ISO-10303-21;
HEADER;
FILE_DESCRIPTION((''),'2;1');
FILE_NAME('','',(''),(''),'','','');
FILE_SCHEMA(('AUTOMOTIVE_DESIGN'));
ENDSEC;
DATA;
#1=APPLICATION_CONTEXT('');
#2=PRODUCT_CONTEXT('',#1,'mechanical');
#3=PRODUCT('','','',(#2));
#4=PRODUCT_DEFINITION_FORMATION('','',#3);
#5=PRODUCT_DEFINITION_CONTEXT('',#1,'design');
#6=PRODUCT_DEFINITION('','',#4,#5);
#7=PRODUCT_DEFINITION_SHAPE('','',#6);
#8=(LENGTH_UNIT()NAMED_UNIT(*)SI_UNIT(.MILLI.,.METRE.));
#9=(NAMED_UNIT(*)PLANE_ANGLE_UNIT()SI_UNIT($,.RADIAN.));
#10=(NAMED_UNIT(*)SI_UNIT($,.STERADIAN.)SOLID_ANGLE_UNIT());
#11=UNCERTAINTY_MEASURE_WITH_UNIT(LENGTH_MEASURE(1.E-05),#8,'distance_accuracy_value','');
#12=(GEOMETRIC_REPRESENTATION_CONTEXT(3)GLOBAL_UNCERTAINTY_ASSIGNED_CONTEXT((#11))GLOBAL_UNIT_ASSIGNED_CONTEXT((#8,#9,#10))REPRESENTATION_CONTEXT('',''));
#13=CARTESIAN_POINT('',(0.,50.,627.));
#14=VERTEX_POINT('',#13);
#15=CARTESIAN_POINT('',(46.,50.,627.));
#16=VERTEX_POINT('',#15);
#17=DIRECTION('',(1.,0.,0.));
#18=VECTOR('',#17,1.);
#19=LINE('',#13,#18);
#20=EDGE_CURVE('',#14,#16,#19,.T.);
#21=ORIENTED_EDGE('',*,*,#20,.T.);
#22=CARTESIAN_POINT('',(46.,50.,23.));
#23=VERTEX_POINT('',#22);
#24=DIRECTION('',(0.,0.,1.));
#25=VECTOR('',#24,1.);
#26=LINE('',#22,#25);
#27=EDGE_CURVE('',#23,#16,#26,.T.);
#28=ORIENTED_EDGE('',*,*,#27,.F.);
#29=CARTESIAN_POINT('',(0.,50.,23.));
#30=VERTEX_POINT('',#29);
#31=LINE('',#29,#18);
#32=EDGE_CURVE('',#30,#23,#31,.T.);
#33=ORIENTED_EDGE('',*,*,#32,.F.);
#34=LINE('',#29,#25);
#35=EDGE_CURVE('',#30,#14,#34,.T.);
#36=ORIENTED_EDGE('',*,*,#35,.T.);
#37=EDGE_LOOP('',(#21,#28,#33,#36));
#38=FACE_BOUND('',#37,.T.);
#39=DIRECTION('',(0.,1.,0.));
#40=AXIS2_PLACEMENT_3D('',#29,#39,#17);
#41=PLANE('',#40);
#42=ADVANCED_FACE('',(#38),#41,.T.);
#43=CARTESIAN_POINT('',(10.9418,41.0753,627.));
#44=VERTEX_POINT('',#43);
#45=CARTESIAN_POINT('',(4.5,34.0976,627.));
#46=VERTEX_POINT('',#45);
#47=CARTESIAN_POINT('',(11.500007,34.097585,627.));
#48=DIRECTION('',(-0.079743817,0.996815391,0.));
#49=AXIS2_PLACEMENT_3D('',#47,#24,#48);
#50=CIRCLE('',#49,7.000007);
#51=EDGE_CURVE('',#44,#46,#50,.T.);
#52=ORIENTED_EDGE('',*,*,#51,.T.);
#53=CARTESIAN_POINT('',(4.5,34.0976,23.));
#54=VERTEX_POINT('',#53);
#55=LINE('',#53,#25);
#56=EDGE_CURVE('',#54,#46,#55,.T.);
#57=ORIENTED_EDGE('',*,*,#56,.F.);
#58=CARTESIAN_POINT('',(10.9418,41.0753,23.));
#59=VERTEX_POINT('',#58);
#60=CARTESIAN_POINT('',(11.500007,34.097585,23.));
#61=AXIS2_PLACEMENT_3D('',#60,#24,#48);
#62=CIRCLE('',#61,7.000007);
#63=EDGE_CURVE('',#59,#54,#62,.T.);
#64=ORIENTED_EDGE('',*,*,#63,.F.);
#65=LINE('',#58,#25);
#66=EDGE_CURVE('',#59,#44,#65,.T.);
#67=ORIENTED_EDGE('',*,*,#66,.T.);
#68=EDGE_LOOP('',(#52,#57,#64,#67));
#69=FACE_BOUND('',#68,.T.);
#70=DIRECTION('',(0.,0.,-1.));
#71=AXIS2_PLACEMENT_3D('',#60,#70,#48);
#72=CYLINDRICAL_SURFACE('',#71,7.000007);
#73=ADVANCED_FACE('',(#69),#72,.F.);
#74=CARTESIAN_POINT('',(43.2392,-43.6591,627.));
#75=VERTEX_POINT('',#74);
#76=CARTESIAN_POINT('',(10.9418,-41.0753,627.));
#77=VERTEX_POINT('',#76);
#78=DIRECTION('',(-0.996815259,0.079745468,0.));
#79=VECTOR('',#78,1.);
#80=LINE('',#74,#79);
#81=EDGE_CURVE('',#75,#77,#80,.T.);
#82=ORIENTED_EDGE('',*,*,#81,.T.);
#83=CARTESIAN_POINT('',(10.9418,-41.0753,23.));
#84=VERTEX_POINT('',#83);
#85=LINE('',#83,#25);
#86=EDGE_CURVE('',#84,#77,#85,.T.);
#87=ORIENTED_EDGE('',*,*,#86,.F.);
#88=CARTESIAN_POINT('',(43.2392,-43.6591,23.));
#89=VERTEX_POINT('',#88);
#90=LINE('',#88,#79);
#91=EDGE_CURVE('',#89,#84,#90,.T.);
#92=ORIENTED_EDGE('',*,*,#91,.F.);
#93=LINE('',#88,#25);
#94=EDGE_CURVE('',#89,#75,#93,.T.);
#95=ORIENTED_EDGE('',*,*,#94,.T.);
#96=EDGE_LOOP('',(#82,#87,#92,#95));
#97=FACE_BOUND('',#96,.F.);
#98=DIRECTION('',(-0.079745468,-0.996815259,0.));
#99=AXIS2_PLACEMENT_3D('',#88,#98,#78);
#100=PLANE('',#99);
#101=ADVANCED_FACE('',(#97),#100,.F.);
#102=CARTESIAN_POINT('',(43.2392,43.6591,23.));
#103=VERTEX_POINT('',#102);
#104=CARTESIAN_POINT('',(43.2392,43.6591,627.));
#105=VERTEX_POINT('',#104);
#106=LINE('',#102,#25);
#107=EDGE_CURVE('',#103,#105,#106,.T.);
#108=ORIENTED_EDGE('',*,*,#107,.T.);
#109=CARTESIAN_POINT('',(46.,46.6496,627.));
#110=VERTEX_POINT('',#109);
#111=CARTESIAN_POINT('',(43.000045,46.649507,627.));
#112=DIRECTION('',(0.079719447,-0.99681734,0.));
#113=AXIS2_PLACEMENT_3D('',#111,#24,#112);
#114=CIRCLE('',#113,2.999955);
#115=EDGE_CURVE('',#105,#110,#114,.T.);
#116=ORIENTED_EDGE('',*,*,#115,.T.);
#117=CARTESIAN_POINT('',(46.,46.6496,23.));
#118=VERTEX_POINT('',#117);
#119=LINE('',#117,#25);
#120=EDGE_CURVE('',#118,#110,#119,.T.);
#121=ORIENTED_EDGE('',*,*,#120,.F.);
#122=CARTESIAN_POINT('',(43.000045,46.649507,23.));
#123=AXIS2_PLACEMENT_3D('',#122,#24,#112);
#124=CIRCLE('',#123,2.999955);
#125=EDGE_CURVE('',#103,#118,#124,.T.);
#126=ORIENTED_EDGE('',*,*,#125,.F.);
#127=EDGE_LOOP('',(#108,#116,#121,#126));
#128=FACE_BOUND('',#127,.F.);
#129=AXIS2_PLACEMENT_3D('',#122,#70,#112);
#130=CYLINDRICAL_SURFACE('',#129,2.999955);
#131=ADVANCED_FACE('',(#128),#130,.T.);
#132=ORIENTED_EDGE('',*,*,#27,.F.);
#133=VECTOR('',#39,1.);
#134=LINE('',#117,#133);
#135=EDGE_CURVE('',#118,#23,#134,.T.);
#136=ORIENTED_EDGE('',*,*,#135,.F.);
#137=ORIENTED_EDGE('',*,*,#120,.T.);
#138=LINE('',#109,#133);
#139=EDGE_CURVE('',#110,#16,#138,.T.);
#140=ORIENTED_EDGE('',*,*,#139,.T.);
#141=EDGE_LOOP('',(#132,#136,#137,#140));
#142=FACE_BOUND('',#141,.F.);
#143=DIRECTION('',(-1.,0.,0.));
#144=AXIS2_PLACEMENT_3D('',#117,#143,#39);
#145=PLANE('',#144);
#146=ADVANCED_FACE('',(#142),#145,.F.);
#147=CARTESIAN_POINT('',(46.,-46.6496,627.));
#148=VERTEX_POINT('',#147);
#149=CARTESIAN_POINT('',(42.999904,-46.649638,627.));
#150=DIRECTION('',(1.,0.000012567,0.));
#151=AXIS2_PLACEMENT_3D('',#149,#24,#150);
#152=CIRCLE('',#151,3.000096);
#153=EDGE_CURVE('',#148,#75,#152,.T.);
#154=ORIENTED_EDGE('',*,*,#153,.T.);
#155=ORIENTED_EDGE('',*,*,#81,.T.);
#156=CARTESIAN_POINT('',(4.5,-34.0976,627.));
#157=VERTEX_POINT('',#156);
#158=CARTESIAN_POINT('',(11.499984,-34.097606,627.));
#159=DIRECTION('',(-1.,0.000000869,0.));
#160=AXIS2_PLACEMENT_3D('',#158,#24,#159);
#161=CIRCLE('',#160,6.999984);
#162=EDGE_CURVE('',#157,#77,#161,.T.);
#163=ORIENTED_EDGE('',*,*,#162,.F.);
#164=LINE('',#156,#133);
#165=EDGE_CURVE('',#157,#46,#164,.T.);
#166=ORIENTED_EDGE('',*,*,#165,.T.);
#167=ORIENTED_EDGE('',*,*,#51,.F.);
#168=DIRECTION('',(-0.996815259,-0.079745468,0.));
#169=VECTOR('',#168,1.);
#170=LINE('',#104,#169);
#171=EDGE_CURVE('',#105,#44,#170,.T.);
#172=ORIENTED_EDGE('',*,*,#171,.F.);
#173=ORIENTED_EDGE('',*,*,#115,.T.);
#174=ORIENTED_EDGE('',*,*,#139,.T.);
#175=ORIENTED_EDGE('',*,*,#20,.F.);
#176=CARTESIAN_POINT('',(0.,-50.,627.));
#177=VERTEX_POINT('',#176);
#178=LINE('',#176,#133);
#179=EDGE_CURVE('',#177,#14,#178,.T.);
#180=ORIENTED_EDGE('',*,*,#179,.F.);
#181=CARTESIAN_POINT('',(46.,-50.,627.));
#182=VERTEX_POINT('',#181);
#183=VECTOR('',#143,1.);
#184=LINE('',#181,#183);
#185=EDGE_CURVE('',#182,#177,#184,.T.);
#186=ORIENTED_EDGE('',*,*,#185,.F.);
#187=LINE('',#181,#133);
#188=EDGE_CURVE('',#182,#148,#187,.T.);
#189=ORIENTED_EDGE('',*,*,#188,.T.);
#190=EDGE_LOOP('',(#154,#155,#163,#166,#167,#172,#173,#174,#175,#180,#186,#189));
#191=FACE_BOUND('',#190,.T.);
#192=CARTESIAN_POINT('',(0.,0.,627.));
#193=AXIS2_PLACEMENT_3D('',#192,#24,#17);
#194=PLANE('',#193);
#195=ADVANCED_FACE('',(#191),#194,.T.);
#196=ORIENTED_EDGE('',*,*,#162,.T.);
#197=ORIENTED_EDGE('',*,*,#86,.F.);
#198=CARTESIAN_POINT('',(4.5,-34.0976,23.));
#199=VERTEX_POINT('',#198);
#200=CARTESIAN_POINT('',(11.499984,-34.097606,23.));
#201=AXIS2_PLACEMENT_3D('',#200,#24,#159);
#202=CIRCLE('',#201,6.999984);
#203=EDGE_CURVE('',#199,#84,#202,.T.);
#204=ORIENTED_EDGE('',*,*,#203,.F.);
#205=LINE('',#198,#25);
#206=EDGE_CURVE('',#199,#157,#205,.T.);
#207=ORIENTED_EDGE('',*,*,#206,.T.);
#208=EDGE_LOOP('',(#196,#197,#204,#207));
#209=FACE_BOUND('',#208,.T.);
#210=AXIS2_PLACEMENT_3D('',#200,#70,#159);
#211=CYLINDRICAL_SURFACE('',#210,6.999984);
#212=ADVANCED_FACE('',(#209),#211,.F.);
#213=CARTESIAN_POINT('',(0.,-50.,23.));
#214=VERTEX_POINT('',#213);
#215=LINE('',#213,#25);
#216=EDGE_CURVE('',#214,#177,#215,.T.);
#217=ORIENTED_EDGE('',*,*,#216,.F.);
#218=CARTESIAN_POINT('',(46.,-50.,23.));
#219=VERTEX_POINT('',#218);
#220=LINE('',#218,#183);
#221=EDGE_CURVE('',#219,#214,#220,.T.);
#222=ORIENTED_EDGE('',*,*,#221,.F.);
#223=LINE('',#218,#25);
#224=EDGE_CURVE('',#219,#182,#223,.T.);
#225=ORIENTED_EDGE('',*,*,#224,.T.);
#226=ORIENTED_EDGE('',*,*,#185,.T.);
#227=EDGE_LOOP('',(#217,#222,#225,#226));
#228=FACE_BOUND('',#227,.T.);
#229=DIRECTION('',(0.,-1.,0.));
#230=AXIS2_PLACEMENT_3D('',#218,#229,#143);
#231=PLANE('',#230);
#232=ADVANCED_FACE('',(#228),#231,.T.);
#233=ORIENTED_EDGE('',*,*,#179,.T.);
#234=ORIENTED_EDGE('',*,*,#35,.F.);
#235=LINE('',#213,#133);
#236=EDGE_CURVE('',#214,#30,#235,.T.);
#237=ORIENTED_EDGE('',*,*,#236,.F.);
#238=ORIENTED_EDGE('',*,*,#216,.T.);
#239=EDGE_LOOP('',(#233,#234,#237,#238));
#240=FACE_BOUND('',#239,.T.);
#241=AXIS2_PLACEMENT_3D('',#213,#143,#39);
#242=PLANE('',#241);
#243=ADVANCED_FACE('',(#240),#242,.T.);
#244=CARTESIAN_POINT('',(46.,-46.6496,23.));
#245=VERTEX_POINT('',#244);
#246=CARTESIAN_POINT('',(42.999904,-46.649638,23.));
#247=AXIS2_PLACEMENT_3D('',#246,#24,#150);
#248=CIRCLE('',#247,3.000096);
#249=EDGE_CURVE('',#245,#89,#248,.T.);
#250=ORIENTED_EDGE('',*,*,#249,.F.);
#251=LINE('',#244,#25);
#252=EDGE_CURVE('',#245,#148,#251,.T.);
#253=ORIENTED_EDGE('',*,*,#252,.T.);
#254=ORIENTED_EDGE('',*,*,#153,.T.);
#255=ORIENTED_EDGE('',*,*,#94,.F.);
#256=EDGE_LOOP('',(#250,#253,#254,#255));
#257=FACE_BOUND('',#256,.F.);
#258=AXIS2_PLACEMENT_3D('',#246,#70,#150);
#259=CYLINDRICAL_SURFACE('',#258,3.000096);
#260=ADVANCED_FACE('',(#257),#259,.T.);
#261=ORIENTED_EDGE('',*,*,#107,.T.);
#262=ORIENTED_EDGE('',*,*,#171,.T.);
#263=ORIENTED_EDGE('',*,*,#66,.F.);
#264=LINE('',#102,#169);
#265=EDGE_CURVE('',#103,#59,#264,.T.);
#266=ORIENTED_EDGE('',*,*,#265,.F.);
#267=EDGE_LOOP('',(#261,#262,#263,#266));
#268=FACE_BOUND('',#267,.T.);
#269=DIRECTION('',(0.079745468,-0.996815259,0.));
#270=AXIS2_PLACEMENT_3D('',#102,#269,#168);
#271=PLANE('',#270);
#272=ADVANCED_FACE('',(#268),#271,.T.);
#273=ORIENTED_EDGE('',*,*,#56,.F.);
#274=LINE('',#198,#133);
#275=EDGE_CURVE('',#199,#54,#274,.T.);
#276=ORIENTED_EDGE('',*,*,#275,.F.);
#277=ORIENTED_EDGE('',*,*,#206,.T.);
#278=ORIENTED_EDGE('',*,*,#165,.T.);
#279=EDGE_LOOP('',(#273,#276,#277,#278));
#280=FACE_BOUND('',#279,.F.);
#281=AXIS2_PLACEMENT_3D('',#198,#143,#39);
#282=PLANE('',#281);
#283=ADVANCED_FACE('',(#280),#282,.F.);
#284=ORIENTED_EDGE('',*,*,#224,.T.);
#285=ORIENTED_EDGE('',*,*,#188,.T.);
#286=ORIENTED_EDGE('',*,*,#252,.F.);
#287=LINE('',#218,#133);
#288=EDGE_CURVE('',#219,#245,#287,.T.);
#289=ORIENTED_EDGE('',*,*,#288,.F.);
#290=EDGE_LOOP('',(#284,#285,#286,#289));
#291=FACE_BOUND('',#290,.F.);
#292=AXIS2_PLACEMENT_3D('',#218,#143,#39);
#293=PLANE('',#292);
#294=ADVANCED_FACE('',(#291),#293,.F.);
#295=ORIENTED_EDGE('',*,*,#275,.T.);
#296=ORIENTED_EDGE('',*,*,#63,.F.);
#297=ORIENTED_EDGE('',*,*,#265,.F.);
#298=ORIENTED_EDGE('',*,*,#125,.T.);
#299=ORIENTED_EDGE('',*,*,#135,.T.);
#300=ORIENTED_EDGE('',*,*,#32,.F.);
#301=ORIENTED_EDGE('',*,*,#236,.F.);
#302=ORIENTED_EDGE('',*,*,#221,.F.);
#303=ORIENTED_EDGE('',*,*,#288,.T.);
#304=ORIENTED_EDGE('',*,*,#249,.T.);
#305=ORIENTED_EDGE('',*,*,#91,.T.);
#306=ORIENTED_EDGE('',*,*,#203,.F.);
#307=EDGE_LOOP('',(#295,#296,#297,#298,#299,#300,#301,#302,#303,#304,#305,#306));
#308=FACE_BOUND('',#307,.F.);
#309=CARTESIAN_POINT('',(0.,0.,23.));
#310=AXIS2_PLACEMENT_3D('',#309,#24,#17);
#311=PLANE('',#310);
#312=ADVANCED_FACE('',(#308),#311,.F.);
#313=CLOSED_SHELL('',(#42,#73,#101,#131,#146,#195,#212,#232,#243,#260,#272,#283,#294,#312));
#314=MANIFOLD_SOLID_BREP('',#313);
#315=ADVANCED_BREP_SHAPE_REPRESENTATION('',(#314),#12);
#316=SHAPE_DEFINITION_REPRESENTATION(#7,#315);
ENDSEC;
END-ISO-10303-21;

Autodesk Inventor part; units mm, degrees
ref_plane "Начальная плоскость" through (0, 0, 23) normal (0, 0, 1) x (1, 0, 0)
ref_plane "Конечная плоскость" through (0, 0, 627) normal (0, 0, 1) x (1, 0, 0)
sketch "Эскиз" plane through (0, 0, 0) normal (0, 0, 1) x (1, 0, 0)
  line L0 (46, -50) -> (0, -50)
  line L1 (46, -50) -> (46, -46.6496)
  line L2 (43.2392, -43.6591) -> (10.9418, -41.0753)
  line L3 (4.5, -34.0976) -> (4.5, 34.0976)
  line L4 (43.2392, 43.6591) -> (10.9418, 41.0753)
  line L5 (46, 46.6496) -> (46, 50)
  line L6 (0, 50) -> (46, 50)
  line L7 (0, -50) -> (0, 50)
  arc A0 (4.5, -34.0976) -> (10.9418, -41.0753) centre (11.5, -34.0976) ccw
  arc A1 (10.9418, 41.0753) -> (4.5, 34.0976) centre (11.5, 34.0976) ccw
  arc A2 (46, -46.6496) -> (43.2392, -43.6591) centre (43, -46.6496) ccw
  arc A3 (43.2392, 43.6591) -> (46, 46.6496) centre (43, 46.6496) ccw
  line L8 (0, 70) -> (0, -70) construction
  line L9 (-9.3169, 0) -> (55.9016, 0) construction
  point P0 (46, -43.88)
  point P1 (4.5, -40.56)
  point P2 (4.5, 40.56)
  point P3 (46, 43.88)
  dimension "d3" = 46
  dimension "d5" = 4.5
  dimension "d7" = 100
  dimension "d9" = 9.44
  dimension "d11" = 9.44
  dimension "d13" = 6.12
  dimension "d15" = 6.12
  dimension "d22" = 7
  dimension "d23" = 3
  dimension "d24" = 50
  dimension "d25" = 0
extrude "Тело" add sketch "Эскиз" along normal up to surface (604 mm away) from surface at 23
sketch "Sketch3" plane through (0, 0, 0) normal (0, 0, 1) x (1, 0, 0)
  line L0 (0, 0) -> (10, 0)
ref_plane "Work Plane7" through (0, 0, 0) normal (0, -1, 0) x (1, 0, 0)
sketch "Sketch4" plane through (0, 0, 0) normal (0, -1, 0) x (1, 0, 0)
  line L0 (-2, 23) -> (12, 23)
  line L1 (-2, 627) -> (12, 627)
  dimension "d29" = 604
ref_plane "РабПлоскость8" through (23, -50, 627) normal (0, 0, 1) x (1, 0, 0)
split "Разделение1" plane through (23, -50, 627) removes the side toward (0, 0, 1)
ref_plane "РабПлоскость9" through (-227, -50, 23) normal (0, 0, -1) x (-1, 0, 0)
split "Разделение2" plane through (-227, -50, 23) removes the side toward (0, 0, -1)
equation "\"d3\" = b"
equation "\"d5\" = t1"
equation "\"d7\" = ParH"
equation "\"d9\" = msp_x1 + t2"
equation "\"d11\" = msp_x1 + t2"
equation "\"d13\" = -msp_x2 + t2"
equation "\"d15\" = -msp_x2 + t2"
equation "\"d22\" = R"
equation "\"d23\" = R1"
equation "\"d24\" = 0.5 * d7"
equation "\"d16\" = G_L"
equation "\"R1\" = 3"
equation "\"R\" = 7"
equation "\"t1\" = 4.5"
equation "\"t2\" = 7.6"
equation "\"ParH\" = 100"
equation "\"b\" = 46"
equation "\"msp_x1\" = 0.04 * b"
equation "\"msp_x2\" = -0.08 * t1 + 0.04 * b"
equation "\"G_L\" = d29"
equation "\"ex\" = 0"
equation "\"G_OFFSET_START\" = -23"
equation "\"G_OFFSET_END\" = -23"
equation "\"d26\" = -G_OFFSET_START"
equation "\"d27\" = G_OFFSET_END + B_L"
equation "\"B_L\" = 650"
properties part number "Швеллер 10U-604 ГОСТ 8240-97" material "Сталь, мягкая, сварочная"
